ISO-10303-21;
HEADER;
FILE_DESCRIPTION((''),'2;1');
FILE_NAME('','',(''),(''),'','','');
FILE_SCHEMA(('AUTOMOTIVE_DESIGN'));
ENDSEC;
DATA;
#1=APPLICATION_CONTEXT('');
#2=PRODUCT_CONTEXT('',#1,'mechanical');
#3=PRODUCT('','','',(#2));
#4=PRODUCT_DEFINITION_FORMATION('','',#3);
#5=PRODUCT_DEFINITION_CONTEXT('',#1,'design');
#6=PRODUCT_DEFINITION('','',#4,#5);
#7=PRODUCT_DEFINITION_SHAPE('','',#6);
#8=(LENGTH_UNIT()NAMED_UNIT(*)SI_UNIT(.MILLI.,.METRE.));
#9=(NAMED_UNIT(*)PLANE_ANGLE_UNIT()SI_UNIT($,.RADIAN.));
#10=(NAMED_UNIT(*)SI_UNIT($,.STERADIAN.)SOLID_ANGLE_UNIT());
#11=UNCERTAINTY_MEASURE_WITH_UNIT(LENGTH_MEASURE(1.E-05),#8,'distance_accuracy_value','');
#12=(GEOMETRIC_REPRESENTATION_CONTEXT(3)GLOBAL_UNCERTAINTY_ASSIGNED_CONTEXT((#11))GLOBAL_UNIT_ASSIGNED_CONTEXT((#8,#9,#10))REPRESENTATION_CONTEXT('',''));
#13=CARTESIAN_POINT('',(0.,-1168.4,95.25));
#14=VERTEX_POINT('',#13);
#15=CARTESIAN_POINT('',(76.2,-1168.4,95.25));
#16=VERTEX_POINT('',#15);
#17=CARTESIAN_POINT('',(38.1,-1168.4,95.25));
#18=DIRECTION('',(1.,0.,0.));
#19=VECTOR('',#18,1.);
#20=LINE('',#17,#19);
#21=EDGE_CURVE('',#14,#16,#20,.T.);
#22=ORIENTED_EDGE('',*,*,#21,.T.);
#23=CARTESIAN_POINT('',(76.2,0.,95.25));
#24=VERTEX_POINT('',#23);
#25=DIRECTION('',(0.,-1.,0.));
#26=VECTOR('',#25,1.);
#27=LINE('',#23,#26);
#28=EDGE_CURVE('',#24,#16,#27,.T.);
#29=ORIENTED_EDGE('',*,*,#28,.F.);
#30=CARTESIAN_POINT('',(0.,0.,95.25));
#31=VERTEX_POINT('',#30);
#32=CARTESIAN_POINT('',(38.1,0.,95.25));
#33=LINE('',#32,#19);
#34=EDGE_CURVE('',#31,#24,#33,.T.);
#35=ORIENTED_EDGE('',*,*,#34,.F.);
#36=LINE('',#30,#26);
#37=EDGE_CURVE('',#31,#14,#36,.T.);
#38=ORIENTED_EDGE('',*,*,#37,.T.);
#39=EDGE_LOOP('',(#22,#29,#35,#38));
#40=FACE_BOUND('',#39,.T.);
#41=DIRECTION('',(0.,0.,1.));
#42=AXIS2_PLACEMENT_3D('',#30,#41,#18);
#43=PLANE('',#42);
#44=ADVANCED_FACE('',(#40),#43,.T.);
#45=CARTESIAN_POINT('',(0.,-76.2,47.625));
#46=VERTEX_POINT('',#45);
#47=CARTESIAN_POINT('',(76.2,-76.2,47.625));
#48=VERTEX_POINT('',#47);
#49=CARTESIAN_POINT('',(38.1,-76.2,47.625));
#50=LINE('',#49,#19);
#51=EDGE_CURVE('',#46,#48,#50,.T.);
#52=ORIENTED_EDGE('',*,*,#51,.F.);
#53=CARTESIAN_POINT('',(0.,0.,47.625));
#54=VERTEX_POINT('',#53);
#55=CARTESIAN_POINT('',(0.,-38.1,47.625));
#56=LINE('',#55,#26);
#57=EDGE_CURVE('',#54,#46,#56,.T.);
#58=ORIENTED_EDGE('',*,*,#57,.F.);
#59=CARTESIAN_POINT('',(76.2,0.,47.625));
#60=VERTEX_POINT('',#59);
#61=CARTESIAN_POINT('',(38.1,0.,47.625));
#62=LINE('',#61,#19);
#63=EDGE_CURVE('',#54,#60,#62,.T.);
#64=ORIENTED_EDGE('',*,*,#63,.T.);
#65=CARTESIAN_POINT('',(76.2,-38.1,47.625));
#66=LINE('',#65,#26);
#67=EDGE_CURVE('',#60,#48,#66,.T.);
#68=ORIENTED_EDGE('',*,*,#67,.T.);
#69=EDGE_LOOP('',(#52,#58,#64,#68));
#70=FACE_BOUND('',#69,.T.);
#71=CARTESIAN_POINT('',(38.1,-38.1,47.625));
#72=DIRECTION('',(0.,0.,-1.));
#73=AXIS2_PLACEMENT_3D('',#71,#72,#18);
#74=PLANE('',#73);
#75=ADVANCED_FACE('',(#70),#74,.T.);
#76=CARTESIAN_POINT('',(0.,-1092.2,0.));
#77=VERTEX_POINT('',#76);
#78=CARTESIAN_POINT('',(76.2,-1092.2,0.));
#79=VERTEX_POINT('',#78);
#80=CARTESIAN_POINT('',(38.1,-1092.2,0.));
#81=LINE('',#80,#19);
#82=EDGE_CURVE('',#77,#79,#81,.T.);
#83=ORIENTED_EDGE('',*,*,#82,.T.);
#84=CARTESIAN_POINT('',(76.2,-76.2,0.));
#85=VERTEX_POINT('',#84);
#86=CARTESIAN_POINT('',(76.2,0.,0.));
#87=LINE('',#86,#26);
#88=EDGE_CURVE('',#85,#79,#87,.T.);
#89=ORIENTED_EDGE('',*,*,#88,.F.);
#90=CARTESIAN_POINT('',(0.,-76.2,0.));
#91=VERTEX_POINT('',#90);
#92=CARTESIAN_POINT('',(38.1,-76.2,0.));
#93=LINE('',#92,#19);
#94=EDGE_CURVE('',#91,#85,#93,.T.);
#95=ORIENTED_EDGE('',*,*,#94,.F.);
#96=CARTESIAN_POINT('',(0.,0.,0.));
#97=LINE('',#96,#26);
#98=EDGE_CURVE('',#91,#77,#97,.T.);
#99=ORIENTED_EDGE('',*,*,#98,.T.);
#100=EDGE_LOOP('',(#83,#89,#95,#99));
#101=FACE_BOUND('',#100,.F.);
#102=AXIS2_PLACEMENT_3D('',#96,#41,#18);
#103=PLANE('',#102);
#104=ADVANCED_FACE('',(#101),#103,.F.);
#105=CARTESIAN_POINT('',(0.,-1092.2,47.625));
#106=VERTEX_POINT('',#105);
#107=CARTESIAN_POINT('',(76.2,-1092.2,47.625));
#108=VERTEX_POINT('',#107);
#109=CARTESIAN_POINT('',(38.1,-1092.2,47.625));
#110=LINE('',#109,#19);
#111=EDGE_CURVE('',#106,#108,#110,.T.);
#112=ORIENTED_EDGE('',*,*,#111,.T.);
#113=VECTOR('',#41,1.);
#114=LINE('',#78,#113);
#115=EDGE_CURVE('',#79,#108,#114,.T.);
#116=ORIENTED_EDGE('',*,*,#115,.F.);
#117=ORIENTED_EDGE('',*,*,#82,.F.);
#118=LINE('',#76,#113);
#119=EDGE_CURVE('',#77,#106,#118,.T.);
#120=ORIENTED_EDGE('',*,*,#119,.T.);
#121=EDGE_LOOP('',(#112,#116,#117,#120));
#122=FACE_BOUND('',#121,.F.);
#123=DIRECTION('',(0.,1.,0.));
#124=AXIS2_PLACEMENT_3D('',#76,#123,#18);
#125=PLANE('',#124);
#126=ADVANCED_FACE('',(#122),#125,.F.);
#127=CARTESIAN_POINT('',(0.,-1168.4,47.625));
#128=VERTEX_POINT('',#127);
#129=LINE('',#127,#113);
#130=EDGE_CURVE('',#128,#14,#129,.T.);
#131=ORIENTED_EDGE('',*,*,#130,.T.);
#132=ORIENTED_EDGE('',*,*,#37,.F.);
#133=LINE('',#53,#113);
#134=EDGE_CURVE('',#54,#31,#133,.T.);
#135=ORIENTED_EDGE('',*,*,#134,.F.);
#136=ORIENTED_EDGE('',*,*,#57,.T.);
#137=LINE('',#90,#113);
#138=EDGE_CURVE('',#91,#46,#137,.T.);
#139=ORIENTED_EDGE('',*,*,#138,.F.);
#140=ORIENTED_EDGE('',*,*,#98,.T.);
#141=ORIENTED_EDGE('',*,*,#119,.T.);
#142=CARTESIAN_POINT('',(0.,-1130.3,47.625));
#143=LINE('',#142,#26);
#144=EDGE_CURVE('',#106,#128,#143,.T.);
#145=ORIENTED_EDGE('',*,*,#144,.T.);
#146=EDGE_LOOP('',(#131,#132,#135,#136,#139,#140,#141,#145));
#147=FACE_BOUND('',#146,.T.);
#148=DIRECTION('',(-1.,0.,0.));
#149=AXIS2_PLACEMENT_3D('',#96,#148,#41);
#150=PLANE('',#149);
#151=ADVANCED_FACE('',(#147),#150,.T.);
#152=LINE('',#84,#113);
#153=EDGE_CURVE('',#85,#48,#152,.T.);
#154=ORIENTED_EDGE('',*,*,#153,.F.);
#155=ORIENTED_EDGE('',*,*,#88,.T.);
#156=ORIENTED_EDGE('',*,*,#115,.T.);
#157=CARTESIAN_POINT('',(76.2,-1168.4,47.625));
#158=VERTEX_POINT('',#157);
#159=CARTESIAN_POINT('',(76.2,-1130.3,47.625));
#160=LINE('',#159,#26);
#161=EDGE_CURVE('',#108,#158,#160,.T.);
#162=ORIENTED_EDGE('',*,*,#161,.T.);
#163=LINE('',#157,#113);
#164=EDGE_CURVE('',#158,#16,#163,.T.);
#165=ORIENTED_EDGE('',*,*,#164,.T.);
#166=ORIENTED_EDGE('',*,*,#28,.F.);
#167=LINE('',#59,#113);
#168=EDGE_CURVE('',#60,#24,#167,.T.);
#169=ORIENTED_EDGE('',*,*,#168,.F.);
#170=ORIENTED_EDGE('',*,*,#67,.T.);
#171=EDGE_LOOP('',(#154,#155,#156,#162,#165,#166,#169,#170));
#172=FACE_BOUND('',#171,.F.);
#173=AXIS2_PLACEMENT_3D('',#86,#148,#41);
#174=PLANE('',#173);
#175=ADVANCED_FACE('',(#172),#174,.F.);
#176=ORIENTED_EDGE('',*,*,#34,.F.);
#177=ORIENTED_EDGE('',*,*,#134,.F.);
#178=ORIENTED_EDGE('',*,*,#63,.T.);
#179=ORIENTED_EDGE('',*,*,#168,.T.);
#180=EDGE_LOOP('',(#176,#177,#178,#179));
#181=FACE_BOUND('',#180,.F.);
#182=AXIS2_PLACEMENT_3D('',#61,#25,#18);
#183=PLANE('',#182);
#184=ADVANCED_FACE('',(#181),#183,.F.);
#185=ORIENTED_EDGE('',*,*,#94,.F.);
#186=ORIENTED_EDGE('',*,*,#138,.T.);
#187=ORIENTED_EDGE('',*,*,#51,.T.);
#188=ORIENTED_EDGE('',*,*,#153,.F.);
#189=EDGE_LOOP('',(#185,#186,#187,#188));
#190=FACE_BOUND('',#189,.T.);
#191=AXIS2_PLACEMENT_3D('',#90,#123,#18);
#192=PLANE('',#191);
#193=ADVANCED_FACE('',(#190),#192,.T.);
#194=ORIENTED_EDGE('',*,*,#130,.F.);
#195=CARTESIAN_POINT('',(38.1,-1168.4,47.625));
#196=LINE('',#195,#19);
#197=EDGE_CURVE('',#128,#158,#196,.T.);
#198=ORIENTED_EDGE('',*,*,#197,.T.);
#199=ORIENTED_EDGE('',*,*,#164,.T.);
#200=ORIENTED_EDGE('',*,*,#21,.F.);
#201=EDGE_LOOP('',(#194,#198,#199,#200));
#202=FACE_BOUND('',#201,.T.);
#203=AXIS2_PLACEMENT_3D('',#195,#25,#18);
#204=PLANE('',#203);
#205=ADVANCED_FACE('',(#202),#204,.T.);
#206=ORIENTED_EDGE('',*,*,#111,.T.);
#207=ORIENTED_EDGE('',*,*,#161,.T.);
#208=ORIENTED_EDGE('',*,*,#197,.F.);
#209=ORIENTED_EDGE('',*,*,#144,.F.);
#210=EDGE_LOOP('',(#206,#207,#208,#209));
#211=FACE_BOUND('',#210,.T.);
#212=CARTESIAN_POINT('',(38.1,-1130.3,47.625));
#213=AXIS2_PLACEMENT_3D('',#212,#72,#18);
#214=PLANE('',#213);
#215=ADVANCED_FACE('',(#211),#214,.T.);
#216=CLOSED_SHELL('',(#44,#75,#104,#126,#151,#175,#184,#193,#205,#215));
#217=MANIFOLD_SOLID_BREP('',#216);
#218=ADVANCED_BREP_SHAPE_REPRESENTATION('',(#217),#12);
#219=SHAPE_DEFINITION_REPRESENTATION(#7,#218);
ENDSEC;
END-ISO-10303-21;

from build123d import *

# Parameters (mm, degrees)
F0_W     = 76.2
F0_H     = 95.25
F1_DEPTH = 1168.4
F2_W     = 76.2
F2_H     = 76.2
F3_DEPTH = 47.625


with BuildPart() as f1:
    # F0 (on Front) → F1 (new body)
    with BuildSketch(Plane.XZ):
        with Locations((38.1, 47.625)):
            Rectangle(F0_W, F0_H)
    extrude(amount=F1_DEPTH)

    # F2 (on face) → F3 (cut)
    with BuildSketch(Plane(origin=(0, 0, 0), x_dir=(1, 0, 0), z_dir=(0, 0, -1))):
        with Locations((38.1, 38.1)):
            Rectangle(F2_W, F2_H)
        with Locations((38.1, 1130.3)):
            Rectangle(F2_W, F2_H)
    extrude(amount=-F3_DEPTH, mode=Mode.SUBTRACT)


solid = f1.part
